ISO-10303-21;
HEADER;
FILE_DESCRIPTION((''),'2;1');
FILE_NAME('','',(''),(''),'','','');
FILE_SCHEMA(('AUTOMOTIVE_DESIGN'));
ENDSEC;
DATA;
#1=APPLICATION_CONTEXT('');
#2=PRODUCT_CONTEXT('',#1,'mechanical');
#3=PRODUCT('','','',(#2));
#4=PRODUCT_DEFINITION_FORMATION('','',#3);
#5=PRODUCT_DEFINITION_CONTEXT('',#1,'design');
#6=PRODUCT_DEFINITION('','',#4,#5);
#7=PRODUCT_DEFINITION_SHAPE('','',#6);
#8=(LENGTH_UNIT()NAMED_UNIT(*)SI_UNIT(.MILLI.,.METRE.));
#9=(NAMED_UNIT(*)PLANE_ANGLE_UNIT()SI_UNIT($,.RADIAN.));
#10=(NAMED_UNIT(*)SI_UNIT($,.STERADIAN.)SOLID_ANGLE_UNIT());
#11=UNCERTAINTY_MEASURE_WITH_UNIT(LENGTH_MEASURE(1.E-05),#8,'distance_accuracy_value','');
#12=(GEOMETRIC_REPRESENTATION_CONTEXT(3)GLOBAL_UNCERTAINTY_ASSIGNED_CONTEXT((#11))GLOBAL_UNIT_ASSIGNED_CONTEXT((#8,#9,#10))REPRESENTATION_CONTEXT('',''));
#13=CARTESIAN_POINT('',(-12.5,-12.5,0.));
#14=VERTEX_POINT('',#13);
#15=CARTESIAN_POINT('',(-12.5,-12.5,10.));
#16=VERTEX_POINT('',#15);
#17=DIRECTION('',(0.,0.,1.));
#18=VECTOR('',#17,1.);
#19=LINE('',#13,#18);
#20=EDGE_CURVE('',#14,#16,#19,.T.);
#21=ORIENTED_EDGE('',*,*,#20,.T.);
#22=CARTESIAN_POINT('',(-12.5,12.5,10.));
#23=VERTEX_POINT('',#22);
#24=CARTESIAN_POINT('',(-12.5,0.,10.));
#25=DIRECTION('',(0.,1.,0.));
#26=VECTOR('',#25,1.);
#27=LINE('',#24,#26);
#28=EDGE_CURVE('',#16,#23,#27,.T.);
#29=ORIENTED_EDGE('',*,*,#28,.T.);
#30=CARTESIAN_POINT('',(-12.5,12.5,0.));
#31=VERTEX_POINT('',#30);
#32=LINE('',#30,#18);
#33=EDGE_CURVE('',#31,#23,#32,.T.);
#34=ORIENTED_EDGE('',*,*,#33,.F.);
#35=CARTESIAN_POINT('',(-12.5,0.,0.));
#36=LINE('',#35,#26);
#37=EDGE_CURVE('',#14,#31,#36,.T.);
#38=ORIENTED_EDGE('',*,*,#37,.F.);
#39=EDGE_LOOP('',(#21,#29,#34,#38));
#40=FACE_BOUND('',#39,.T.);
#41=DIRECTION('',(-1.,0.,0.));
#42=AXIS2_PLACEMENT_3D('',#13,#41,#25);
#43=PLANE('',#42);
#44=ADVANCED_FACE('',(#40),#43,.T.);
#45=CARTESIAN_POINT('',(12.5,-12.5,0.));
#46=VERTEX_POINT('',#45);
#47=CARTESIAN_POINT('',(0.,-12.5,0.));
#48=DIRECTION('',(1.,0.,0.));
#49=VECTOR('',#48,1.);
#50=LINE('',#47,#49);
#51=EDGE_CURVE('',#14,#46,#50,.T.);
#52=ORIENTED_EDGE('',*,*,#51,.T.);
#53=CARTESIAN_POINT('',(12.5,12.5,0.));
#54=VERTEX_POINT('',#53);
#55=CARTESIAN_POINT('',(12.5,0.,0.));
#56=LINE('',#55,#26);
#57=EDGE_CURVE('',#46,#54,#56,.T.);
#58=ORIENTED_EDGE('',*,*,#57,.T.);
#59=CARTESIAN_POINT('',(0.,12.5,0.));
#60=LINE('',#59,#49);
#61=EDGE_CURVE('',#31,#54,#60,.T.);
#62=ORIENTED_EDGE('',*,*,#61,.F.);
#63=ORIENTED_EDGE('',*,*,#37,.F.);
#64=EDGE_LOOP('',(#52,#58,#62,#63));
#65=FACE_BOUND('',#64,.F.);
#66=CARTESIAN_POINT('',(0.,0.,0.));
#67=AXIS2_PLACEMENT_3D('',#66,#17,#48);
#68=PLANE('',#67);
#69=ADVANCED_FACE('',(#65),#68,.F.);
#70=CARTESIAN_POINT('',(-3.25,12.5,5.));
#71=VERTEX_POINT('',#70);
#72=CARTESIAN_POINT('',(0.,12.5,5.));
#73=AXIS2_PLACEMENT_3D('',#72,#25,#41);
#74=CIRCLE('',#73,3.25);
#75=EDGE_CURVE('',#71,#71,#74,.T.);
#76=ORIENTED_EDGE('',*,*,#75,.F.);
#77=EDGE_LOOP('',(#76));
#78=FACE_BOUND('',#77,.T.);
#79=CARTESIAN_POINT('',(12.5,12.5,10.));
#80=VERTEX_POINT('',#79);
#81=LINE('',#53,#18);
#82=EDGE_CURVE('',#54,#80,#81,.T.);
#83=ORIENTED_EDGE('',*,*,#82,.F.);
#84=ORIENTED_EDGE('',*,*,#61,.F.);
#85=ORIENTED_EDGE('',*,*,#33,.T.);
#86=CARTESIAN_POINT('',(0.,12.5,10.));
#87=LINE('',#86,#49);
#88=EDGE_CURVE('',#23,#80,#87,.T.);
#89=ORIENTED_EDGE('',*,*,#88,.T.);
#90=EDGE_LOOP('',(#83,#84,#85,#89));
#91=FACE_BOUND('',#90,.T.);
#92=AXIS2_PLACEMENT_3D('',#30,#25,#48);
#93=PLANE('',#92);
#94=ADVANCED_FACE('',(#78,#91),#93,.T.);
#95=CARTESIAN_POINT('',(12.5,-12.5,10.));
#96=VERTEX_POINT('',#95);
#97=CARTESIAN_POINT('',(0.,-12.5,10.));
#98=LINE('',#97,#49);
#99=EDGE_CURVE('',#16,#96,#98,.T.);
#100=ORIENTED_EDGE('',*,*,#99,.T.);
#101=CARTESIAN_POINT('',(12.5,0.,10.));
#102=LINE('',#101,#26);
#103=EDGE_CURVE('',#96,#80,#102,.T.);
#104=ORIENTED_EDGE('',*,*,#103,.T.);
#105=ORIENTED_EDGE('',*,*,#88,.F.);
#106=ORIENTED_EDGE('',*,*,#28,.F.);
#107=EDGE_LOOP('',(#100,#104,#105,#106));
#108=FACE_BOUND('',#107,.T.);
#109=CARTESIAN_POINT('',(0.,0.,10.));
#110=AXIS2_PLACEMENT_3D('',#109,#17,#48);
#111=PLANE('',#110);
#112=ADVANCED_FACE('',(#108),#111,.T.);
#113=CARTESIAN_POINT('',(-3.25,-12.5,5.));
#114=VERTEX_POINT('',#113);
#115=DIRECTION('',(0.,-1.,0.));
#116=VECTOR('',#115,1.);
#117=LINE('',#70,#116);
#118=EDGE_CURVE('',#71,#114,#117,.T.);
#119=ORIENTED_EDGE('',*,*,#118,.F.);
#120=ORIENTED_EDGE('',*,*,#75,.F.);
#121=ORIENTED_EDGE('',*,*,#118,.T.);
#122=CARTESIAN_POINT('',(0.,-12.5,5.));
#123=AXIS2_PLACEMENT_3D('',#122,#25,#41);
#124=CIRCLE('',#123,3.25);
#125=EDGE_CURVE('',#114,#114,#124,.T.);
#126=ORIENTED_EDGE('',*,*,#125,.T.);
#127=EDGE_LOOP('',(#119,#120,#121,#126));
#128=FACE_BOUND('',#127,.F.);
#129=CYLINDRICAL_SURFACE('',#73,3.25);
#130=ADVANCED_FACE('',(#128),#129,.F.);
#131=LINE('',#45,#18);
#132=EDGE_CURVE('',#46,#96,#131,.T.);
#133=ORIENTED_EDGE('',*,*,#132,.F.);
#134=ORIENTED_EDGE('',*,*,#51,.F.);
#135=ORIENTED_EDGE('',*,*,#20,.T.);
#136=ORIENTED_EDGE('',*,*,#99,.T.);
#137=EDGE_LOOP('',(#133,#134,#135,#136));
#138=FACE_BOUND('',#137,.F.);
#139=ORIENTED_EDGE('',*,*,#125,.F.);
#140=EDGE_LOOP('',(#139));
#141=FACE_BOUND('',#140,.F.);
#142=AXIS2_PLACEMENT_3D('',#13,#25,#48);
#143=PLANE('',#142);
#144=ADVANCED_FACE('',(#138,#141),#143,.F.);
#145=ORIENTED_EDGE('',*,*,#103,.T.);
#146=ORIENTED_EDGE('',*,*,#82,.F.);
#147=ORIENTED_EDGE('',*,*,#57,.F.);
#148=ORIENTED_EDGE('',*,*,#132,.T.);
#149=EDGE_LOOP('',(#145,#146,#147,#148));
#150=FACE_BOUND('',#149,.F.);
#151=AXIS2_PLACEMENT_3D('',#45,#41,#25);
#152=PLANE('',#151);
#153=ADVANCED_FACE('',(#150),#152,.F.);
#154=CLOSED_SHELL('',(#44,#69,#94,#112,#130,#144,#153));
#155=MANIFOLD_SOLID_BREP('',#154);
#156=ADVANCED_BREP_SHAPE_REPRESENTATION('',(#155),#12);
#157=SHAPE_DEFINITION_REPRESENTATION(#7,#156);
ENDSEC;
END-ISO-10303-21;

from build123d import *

# Parameters (mm, degrees)
SKETCH_W     = 25
SKETCH_H     = 25
PAD_DEPTH    = 10
SKETCH001_R  = 3.25
POCKET_DEPTH = 25.001


with BuildPart() as part:
    # Sketch (on XY_Plane of Origin) → Pad (new body)
    with BuildSketch(Plane.XY):
        Rectangle(SKETCH_W, SKETCH_H)
    extrude(amount=PAD_DEPTH)

    # Sketch001 (on Face4 of Pad) → Pocket (cut, through all)
    with BuildSketch(Plane(origin=(0, 12.5, 0), x_dir=(-1, 0, 0), z_dir=(0, 1, 0))):
        with Locations((0, 5)):
            Circle(SKETCH001_R)
    extrude(amount=-POCKET_DEPTH, mode=Mode.SUBTRACT)


solid = part.part
